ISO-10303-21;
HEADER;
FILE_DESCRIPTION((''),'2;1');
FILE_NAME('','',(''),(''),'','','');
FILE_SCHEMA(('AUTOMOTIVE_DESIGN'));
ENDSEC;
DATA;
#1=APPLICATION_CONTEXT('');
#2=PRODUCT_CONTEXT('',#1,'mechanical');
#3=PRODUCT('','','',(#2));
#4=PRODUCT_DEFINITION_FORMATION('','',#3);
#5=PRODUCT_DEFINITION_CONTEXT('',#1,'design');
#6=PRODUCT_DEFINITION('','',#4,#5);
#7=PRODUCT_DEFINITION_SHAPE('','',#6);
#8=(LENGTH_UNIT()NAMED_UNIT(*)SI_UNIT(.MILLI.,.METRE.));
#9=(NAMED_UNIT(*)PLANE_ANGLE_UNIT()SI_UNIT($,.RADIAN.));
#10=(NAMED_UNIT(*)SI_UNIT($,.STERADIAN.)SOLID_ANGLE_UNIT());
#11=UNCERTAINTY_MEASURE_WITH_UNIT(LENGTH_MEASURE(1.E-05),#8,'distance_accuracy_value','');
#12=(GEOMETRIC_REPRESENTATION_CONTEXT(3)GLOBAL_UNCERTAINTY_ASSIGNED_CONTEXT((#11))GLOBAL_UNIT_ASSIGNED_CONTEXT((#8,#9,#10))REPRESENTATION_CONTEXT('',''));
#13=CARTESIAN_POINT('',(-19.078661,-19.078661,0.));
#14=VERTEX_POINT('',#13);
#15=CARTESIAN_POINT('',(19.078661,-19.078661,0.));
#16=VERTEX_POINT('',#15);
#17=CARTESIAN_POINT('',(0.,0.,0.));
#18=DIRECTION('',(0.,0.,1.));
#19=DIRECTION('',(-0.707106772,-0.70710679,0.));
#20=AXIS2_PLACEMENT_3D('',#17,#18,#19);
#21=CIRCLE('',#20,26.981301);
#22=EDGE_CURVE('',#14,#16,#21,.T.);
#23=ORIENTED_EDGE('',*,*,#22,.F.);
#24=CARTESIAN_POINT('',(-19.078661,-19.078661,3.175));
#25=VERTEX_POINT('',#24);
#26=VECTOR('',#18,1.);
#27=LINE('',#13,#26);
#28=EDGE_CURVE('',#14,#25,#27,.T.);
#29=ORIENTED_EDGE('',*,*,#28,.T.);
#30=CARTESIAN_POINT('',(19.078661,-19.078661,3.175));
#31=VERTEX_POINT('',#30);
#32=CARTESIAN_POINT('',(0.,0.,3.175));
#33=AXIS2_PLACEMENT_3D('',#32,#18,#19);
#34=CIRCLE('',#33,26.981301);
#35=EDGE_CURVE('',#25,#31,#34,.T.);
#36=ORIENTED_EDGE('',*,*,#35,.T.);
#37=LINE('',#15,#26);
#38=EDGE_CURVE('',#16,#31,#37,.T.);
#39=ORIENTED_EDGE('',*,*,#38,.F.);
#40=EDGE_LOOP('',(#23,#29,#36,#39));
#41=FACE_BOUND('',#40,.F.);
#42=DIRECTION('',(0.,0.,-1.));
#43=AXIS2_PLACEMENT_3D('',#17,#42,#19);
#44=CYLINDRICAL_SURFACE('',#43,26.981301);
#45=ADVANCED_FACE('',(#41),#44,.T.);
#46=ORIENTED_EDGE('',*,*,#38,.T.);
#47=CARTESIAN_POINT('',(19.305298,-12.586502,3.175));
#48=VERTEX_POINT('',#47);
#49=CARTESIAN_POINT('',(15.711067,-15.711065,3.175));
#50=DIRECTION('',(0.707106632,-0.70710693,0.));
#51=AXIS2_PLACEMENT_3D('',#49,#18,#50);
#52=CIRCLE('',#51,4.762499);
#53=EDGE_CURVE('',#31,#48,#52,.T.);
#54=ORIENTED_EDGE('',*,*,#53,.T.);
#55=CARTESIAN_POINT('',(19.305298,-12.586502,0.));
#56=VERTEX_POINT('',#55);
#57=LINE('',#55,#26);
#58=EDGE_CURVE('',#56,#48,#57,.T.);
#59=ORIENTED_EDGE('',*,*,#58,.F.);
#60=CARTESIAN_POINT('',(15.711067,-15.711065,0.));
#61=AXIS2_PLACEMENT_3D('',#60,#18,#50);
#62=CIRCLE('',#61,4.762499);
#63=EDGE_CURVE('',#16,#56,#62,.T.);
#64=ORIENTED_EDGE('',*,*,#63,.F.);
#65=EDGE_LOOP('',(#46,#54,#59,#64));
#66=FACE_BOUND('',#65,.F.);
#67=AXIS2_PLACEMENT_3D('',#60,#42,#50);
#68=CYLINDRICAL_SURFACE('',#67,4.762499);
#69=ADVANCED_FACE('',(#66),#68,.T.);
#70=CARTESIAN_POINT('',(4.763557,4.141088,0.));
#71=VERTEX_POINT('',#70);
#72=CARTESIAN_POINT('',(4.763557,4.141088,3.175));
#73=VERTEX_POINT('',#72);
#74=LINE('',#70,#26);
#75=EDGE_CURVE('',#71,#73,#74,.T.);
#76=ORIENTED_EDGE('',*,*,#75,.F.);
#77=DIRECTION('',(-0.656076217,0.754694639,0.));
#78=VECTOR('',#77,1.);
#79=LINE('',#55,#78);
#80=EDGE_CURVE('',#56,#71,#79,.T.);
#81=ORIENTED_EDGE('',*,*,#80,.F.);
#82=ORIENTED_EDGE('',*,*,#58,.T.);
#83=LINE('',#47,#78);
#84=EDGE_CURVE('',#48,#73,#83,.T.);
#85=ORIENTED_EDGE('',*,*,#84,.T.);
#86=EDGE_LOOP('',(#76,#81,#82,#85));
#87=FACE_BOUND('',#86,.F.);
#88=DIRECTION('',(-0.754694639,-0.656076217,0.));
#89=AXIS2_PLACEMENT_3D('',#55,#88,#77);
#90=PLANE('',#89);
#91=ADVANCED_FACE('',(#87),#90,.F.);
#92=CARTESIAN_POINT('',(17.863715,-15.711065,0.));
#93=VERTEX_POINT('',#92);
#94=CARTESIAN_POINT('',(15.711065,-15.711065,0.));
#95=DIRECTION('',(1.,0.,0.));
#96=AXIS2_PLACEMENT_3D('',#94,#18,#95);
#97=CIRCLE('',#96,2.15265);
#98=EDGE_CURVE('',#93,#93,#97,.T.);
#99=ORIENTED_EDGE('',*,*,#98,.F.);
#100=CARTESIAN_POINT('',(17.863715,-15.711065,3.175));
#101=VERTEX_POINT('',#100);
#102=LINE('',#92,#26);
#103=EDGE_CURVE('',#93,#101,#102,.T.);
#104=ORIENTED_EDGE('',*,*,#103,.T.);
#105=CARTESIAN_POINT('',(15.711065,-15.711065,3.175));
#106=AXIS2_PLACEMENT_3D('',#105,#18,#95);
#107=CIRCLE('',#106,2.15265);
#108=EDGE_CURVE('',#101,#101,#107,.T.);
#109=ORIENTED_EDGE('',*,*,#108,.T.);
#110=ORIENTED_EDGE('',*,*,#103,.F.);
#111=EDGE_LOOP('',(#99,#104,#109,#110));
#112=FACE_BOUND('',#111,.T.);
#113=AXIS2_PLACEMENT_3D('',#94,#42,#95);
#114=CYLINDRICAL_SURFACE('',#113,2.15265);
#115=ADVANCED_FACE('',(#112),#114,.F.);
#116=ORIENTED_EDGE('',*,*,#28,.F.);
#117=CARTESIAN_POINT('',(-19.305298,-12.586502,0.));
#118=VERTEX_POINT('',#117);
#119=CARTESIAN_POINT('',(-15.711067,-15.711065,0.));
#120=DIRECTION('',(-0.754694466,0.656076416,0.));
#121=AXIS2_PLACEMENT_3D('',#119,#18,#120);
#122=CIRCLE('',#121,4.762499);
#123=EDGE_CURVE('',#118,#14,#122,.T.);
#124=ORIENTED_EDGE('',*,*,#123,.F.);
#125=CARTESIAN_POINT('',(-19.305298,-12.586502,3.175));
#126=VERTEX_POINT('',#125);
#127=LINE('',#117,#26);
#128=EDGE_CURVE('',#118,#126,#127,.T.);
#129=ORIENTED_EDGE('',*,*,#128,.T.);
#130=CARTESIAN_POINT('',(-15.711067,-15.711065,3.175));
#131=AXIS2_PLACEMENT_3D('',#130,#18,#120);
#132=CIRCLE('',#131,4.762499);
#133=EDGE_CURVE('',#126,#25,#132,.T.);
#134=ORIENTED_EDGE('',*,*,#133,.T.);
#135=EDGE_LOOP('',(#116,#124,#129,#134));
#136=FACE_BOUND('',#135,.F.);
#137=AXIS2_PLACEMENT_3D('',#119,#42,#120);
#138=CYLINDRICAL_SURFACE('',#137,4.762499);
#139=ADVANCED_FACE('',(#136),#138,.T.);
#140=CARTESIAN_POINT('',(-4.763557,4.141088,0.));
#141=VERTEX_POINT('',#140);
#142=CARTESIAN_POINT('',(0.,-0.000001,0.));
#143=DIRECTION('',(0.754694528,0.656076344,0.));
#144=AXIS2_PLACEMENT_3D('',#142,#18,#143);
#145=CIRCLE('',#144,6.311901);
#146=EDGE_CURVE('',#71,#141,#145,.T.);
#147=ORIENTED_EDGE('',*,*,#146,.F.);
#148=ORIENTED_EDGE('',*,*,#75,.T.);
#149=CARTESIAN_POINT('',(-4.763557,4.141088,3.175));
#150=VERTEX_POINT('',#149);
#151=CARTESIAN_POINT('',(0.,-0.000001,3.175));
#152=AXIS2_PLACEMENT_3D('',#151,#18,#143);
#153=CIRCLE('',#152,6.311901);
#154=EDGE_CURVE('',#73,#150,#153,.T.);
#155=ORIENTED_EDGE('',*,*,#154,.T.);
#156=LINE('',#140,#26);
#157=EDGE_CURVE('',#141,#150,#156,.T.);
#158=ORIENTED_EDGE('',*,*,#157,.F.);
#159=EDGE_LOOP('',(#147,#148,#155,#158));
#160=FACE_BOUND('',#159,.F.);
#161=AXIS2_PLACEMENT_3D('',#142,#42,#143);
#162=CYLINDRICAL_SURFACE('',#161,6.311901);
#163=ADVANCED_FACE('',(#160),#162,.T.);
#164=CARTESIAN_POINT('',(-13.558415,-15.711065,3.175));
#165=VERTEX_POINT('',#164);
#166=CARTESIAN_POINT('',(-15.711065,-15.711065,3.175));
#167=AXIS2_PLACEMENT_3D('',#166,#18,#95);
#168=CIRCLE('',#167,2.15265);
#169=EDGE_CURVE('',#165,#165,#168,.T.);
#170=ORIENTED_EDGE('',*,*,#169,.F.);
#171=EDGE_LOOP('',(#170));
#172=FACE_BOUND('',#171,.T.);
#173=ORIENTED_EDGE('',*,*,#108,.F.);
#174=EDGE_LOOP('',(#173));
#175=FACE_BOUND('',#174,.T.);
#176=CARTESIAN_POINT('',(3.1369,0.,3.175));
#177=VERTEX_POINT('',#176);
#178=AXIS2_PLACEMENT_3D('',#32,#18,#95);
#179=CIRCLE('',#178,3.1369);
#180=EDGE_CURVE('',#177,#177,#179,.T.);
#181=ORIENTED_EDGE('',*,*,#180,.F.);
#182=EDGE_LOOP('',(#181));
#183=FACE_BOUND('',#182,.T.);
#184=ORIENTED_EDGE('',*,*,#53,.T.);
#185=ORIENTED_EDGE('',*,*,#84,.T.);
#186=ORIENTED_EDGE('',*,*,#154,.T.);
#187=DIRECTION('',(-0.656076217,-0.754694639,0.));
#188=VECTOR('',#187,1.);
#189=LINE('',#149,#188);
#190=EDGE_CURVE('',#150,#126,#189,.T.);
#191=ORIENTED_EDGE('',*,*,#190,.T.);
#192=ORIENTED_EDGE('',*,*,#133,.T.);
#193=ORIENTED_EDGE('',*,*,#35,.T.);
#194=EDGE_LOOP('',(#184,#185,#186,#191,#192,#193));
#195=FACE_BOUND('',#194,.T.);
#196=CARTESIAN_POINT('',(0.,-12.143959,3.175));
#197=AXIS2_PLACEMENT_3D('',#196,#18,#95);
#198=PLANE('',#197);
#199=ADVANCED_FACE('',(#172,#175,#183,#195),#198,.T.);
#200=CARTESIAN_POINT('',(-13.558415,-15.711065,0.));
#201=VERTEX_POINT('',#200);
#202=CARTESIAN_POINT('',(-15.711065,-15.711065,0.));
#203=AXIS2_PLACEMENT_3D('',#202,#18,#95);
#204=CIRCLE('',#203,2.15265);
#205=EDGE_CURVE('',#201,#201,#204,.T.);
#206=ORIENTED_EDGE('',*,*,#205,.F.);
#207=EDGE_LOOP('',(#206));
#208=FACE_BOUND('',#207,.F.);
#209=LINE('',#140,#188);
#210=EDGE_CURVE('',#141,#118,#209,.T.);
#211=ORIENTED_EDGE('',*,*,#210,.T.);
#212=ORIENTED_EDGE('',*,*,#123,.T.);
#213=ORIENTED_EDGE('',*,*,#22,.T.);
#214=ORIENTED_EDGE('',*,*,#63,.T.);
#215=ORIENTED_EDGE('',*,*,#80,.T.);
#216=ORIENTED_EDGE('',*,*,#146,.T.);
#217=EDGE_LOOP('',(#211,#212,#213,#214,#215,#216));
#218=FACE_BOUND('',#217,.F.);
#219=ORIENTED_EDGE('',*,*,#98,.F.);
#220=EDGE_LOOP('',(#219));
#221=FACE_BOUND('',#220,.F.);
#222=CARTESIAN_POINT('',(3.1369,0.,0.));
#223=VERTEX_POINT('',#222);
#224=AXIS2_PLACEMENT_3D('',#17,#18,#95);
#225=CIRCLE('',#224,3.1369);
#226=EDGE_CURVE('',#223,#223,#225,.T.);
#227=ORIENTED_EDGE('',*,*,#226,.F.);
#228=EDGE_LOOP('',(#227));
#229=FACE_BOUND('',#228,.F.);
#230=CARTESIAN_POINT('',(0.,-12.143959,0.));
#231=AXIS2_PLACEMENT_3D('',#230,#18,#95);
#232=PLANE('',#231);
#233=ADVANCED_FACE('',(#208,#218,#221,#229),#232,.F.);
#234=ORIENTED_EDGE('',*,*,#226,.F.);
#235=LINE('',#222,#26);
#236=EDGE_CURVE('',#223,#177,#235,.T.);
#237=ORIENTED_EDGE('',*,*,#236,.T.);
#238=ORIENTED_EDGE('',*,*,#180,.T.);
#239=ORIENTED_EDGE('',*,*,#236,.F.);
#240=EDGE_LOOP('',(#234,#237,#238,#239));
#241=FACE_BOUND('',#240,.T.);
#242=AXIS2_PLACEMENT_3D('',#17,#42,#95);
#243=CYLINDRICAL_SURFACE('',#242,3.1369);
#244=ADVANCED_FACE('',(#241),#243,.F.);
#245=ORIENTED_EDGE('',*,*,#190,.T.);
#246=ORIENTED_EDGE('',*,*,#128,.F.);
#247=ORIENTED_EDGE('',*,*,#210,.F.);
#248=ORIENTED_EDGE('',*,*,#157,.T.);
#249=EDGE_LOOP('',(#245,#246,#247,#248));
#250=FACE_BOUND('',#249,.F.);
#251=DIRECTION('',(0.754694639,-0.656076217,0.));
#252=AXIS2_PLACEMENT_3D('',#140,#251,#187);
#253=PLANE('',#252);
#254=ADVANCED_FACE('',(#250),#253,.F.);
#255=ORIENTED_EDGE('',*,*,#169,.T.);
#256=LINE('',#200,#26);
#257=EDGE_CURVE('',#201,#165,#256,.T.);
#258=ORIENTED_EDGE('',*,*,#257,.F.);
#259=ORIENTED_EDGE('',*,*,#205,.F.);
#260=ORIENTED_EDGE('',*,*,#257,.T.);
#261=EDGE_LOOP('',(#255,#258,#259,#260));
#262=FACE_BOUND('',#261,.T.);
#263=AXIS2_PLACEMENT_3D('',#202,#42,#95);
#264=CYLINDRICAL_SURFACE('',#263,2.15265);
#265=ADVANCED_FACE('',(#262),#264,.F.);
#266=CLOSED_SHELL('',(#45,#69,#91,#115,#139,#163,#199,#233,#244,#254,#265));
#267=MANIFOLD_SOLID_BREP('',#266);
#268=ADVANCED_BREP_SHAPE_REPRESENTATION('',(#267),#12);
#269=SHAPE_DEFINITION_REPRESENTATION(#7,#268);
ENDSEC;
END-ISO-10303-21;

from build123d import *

# Parameters (mm, degrees)
F0_R     = 2.15265
F0_R_2   = 3.1369
F1_DEPTH = 3.175


with BuildPart() as f1:
    # F0 (on Top) → F1 (new body)
    with BuildSketch(Plane.XY):
        with BuildLine():
            Line((19.305298, -12.586502), (4.763557, 4.141088))
            ThreePointArc((4.763557, 4.141088), (0, 6.3119), (-4.763557, 4.141088))
            Line((-4.763557, 4.141088), (-19.305298, -12.586502))
            ThreePointArc((-19.305298, -12.586502), (-20.470666, -15.87722), (-19.078661, -19.078661))
            ThreePointArc((-19.078661, -19.078661), (0, -26.981301), (19.078661, -19.078661))
            ThreePointArc((19.078661, -19.078661), (20.470666, -15.87722), (19.305298, -12.586502))
        make_face()
        with Locations((-15.711065, -15.711065)):
            Circle(F0_R, mode=Mode.SUBTRACT)
        with Locations((15.711065, -15.711065)):
            Circle(F0_R, mode=Mode.SUBTRACT)
        Circle(F0_R_2, mode=Mode.SUBTRACT)
    extrude(amount=F1_DEPTH)


solid = f1.part
